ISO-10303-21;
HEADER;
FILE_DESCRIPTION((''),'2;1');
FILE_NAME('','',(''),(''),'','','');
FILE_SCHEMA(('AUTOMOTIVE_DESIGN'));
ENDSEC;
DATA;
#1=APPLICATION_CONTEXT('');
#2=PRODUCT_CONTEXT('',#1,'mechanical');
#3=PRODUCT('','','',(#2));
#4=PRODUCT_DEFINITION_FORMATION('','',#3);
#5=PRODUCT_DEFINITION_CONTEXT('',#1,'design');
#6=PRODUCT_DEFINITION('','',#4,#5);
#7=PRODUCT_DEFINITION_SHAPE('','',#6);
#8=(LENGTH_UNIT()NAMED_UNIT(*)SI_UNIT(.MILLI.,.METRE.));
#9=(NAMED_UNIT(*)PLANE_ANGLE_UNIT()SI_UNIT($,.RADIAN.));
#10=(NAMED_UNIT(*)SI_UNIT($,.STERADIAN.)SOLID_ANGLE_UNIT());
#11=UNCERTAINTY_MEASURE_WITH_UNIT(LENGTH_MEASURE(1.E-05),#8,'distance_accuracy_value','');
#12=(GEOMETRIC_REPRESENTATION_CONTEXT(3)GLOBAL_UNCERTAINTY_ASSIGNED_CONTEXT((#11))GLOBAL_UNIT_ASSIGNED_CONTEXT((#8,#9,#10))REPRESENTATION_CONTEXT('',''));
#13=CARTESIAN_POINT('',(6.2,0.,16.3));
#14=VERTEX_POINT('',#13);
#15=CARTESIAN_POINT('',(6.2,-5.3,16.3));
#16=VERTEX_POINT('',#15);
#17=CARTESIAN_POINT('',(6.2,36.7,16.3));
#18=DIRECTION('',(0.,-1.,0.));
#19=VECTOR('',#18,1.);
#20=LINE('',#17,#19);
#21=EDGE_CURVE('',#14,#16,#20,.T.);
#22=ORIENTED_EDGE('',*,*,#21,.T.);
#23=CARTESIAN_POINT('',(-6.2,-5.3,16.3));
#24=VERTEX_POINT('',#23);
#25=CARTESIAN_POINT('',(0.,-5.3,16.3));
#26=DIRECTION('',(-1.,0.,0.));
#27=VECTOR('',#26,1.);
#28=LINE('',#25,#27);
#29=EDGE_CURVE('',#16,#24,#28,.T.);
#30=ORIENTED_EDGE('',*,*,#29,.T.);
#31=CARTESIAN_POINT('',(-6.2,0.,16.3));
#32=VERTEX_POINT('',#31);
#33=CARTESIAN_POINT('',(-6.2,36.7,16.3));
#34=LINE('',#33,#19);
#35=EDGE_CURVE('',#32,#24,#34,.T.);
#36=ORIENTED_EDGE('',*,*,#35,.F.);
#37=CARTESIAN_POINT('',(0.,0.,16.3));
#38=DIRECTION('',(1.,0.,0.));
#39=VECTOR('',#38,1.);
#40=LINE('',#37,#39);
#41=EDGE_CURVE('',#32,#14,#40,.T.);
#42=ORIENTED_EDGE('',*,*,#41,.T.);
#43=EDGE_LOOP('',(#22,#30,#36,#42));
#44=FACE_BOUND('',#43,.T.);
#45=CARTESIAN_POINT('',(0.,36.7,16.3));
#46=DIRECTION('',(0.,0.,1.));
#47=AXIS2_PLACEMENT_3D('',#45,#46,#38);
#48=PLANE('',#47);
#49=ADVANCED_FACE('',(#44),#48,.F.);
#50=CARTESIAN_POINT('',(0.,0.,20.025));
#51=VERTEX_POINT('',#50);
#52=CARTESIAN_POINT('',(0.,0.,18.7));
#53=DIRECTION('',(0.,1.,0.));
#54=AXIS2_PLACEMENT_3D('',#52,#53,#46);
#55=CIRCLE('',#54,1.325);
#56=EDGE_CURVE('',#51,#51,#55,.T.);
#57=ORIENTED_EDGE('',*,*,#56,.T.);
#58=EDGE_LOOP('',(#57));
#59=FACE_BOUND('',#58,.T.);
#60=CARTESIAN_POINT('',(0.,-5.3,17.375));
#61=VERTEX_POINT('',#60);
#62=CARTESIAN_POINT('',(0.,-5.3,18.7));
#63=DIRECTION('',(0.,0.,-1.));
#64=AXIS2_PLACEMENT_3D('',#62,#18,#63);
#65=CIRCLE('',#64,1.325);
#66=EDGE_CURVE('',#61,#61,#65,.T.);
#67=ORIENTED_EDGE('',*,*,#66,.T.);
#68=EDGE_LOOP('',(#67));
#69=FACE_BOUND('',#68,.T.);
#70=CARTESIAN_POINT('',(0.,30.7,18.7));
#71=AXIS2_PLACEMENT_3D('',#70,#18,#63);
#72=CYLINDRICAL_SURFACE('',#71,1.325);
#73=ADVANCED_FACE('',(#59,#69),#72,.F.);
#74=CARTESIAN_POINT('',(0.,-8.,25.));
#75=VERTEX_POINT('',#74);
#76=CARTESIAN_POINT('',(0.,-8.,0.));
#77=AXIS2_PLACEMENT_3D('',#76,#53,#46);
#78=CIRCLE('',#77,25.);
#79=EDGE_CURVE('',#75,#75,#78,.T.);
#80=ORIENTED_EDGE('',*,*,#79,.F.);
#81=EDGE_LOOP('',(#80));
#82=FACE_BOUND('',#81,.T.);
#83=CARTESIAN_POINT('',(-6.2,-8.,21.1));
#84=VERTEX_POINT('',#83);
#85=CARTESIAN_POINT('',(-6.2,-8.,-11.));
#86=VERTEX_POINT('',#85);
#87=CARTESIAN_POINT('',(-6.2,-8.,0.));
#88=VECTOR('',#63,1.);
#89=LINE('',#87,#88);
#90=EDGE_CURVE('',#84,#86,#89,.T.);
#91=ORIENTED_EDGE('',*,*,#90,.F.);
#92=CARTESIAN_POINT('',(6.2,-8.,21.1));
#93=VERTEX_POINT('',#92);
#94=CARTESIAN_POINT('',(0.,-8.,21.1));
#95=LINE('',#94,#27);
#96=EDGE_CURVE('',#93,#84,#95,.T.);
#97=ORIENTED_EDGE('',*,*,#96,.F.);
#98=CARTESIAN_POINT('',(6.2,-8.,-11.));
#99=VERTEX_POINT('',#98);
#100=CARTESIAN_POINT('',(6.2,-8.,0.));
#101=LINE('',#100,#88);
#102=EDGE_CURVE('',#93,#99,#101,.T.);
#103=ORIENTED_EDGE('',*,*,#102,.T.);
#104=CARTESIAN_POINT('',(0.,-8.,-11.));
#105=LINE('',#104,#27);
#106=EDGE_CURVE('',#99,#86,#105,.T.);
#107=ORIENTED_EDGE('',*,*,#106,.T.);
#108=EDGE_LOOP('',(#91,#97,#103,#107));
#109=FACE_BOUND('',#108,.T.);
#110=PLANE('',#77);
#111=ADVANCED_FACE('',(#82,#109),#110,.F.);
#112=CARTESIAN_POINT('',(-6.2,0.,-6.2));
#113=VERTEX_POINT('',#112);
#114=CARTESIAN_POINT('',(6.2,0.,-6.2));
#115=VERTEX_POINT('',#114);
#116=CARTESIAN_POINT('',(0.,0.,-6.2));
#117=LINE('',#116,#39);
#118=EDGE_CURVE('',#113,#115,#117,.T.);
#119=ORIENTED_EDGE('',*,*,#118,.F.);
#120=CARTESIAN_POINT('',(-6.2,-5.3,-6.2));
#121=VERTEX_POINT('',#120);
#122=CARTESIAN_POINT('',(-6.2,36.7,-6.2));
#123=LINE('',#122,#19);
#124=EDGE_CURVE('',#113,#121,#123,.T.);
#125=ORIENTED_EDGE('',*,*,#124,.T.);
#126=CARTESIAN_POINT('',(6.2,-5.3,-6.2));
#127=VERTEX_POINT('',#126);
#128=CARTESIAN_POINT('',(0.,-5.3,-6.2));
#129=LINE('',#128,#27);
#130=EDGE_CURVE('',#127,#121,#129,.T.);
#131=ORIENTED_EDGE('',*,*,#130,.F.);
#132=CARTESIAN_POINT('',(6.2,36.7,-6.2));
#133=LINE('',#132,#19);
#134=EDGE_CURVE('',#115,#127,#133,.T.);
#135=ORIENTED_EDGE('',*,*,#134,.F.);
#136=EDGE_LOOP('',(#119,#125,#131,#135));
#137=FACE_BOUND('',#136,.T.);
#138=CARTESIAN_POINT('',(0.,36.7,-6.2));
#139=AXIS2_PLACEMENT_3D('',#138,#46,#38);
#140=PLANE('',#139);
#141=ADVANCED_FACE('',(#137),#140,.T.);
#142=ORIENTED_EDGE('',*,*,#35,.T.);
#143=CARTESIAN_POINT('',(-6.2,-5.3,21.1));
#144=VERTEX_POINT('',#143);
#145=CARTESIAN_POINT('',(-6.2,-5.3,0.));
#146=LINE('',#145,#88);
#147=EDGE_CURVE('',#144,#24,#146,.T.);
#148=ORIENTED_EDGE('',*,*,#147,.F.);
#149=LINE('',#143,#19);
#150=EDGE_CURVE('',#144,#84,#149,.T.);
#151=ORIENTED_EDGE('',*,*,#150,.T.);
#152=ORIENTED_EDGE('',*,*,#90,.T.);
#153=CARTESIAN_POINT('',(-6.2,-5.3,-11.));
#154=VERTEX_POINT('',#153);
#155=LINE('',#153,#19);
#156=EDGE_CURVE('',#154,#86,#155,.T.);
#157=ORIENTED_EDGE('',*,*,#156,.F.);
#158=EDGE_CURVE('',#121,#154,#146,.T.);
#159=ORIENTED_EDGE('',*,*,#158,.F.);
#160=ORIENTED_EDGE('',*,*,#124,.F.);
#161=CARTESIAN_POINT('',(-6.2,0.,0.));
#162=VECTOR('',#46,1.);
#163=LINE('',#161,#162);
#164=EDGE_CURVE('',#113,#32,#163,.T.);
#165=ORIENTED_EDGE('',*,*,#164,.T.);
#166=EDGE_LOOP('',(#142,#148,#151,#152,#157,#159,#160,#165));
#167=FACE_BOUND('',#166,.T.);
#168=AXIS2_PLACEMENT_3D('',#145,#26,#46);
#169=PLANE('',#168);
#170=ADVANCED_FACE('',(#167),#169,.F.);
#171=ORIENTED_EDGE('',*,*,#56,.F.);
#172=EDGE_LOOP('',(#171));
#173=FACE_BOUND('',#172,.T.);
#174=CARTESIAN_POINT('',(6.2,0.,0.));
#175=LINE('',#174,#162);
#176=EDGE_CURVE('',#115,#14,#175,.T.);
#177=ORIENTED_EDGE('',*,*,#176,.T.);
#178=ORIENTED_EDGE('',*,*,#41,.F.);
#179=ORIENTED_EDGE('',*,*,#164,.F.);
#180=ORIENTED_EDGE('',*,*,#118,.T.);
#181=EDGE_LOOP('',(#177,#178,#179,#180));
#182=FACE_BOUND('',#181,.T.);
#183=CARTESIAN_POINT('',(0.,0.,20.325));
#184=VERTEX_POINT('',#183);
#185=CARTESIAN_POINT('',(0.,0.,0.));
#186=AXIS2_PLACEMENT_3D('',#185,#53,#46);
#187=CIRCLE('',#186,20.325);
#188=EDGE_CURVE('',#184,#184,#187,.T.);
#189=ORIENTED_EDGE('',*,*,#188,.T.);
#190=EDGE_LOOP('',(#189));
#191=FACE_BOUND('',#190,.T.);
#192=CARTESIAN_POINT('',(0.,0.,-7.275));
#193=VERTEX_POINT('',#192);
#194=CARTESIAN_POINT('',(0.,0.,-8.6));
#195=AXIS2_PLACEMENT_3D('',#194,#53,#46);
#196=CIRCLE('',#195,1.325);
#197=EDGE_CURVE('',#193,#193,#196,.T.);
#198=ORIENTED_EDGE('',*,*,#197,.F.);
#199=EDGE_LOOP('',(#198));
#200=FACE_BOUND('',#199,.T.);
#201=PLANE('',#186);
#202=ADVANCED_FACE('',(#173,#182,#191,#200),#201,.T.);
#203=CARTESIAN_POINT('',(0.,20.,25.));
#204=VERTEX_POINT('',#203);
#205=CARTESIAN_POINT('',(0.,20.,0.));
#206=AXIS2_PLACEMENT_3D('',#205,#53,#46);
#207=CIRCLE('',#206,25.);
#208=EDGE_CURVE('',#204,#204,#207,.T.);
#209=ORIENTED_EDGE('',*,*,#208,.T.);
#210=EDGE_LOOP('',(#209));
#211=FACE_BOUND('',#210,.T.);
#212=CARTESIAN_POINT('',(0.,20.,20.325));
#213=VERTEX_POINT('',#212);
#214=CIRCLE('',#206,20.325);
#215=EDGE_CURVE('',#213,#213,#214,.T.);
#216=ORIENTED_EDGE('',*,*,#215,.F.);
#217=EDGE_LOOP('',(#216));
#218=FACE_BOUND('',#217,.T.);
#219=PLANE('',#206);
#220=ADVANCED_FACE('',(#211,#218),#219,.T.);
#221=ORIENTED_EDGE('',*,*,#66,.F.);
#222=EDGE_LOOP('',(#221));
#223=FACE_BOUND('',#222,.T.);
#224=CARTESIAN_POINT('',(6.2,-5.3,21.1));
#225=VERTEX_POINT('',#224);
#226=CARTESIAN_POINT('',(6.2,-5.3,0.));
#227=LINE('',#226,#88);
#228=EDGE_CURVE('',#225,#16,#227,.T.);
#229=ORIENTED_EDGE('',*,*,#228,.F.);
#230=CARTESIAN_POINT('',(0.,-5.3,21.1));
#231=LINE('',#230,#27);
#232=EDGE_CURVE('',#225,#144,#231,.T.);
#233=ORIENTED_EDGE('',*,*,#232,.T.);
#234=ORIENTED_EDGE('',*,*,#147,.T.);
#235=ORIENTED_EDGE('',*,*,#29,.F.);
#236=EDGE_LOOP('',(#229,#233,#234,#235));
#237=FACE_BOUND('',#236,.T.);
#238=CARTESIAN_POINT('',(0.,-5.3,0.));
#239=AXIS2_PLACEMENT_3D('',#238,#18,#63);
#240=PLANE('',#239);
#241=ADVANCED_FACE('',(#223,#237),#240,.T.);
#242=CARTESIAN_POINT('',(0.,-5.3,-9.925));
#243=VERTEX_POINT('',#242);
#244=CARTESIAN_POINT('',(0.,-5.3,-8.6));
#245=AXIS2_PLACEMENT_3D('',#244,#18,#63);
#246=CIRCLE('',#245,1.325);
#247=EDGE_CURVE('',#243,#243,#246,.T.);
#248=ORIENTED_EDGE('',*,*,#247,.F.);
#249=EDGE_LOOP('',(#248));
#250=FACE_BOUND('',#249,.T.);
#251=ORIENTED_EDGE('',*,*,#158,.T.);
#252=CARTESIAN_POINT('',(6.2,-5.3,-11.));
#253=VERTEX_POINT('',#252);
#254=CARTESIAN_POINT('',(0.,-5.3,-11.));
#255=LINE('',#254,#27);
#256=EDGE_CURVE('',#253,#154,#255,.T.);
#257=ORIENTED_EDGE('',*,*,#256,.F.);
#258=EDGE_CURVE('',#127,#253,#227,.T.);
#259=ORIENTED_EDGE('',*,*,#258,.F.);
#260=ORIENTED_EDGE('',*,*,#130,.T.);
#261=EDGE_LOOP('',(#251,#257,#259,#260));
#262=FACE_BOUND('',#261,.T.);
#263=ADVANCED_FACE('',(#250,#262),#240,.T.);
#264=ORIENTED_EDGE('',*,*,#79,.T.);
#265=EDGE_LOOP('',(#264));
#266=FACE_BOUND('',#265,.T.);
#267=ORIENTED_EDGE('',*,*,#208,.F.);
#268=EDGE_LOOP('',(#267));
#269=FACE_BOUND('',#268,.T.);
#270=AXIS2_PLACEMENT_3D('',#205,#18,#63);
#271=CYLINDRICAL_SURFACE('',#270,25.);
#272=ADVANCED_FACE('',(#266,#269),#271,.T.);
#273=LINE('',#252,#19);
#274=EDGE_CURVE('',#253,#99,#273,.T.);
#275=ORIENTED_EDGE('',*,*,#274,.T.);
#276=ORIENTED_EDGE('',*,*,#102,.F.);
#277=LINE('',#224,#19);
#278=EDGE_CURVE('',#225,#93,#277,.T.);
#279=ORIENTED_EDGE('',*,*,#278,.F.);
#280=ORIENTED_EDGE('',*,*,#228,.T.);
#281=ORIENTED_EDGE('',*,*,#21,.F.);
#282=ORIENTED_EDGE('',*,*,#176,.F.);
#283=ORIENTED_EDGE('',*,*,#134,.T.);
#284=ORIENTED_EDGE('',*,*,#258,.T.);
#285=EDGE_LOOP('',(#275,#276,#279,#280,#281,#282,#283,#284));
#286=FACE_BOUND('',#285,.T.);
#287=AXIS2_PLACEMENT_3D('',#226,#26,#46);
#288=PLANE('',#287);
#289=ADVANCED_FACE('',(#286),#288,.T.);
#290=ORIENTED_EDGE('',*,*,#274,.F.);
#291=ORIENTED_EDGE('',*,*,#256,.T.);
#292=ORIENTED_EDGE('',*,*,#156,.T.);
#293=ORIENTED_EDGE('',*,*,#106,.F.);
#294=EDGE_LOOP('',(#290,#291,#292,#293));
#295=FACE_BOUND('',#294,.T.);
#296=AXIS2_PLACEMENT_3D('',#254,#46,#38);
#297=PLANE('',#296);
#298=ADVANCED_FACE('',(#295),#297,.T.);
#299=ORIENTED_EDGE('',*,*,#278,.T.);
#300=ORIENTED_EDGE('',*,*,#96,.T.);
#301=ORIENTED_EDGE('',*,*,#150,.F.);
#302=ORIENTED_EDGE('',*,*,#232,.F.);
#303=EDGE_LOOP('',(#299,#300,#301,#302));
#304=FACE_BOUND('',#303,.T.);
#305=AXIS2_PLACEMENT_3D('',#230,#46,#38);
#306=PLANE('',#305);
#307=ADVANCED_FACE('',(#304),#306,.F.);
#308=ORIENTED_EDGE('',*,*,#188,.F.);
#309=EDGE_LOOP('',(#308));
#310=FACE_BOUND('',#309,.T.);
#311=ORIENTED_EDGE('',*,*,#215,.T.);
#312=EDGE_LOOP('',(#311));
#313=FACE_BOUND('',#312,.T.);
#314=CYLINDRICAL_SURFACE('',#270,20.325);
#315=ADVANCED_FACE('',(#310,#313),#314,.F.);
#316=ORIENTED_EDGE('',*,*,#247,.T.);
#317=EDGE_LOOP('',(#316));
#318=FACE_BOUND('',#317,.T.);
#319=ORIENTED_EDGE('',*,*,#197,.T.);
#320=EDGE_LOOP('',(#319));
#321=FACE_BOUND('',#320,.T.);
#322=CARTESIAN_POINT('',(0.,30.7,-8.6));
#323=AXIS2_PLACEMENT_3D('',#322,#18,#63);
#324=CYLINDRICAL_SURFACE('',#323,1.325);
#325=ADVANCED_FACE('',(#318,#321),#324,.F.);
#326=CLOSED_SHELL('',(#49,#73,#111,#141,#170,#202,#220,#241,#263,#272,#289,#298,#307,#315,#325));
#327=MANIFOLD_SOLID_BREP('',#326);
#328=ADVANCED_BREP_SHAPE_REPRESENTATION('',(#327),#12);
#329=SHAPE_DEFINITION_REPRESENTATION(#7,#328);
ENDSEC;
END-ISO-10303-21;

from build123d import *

# Parameters (mm, degrees)
SKETCH1_R           = 25
SKETCH1_R_2         = 20.325
BOSS_EXTRUDE1_DEPTH = 20
BOSS_EXTRUDE2_START = -8
SKETCH1_2_R         = 25
BOSS_EXTRUDE2_DEPTH = 8
SKETCH3_W           = 12.4
SKETCH3_H           = 4.8
SKETCH3_R           = 1.325
CUT_EXTRUDE1_DEPTH  = 2.7
SKETCH3_4_W         = 12.4
SKETCH3_4_H         = 22.5
CUT_EXTRUDE3_DEPTH  = 44.7
SKETCH3_5_R         = 1.325
CUT_EXTRUDE4_DEPTH  = 38.7


with BuildPart() as part:
    # Sketch1 → Boss-Extrude1 (new body)
    with BuildSketch(Plane(origin=(0, 0, 0), x_dir=(1, 0, 0), z_dir=(0, 1, 0))):
        Circle(SKETCH1_R)
        Circle(SKETCH1_R_2, mode=Mode.SUBTRACT)
    extrude(amount=BOSS_EXTRUDE1_DEPTH)

    # Sketch1<2> → Boss-Extrude2 (add)
    with BuildSketch(Plane(origin=(0, 0, 0), x_dir=(1, 0, 0), z_dir=(0, 1, 0)).offset(BOSS_EXTRUDE2_START)):
        Circle(SKETCH1_2_R)
    extrude(amount=BOSS_EXTRUDE2_DEPTH)

    # Sketch3 → Cut-Extrude1 (cut)
    # profile 1 of 2: a face of its own
    with BuildSketch(Plane.XZ.offset(8)):
        with Locations((0, -8.6)):
            Rectangle(SKETCH3_W, SKETCH3_H)
        with Locations((0, -8.6)):
            Circle(SKETCH3_R, mode=Mode.SUBTRACT)
    # profile 2 of 2: a face of its own
    with BuildSketch(Plane.XZ.offset(8)):
        with Locations((0, 18.7)):
            Rectangle(SKETCH3_W, SKETCH3_H)
        with Locations((0, 18.7)):
            Circle(SKETCH3_R, mode=Mode.SUBTRACT)
    extrude(amount=-CUT_EXTRUDE1_DEPTH, mode=Mode.SUBTRACT)

    # Sketch3<4> → Cut-Extrude3 (cut)
    with BuildSketch(Plane.XZ.offset(8)):
        with Locations((0, 5.05)):
            Rectangle(SKETCH3_4_W, SKETCH3_4_H)
    extrude(amount=-CUT_EXTRUDE3_DEPTH, mode=Mode.SUBTRACT)

    # Sketch3<5> → Cut-Extrude4 (cut)
    with BuildSketch(Plane.XZ.offset(8)):
        with Locations((0, -8.6)):
            Circle(SKETCH3_5_R)
        with Locations((0, 18.7)):
            Circle(SKETCH3_5_R)
    extrude(amount=-CUT_EXTRUDE4_DEPTH, mode=Mode.SUBTRACT)


solid = part.part
